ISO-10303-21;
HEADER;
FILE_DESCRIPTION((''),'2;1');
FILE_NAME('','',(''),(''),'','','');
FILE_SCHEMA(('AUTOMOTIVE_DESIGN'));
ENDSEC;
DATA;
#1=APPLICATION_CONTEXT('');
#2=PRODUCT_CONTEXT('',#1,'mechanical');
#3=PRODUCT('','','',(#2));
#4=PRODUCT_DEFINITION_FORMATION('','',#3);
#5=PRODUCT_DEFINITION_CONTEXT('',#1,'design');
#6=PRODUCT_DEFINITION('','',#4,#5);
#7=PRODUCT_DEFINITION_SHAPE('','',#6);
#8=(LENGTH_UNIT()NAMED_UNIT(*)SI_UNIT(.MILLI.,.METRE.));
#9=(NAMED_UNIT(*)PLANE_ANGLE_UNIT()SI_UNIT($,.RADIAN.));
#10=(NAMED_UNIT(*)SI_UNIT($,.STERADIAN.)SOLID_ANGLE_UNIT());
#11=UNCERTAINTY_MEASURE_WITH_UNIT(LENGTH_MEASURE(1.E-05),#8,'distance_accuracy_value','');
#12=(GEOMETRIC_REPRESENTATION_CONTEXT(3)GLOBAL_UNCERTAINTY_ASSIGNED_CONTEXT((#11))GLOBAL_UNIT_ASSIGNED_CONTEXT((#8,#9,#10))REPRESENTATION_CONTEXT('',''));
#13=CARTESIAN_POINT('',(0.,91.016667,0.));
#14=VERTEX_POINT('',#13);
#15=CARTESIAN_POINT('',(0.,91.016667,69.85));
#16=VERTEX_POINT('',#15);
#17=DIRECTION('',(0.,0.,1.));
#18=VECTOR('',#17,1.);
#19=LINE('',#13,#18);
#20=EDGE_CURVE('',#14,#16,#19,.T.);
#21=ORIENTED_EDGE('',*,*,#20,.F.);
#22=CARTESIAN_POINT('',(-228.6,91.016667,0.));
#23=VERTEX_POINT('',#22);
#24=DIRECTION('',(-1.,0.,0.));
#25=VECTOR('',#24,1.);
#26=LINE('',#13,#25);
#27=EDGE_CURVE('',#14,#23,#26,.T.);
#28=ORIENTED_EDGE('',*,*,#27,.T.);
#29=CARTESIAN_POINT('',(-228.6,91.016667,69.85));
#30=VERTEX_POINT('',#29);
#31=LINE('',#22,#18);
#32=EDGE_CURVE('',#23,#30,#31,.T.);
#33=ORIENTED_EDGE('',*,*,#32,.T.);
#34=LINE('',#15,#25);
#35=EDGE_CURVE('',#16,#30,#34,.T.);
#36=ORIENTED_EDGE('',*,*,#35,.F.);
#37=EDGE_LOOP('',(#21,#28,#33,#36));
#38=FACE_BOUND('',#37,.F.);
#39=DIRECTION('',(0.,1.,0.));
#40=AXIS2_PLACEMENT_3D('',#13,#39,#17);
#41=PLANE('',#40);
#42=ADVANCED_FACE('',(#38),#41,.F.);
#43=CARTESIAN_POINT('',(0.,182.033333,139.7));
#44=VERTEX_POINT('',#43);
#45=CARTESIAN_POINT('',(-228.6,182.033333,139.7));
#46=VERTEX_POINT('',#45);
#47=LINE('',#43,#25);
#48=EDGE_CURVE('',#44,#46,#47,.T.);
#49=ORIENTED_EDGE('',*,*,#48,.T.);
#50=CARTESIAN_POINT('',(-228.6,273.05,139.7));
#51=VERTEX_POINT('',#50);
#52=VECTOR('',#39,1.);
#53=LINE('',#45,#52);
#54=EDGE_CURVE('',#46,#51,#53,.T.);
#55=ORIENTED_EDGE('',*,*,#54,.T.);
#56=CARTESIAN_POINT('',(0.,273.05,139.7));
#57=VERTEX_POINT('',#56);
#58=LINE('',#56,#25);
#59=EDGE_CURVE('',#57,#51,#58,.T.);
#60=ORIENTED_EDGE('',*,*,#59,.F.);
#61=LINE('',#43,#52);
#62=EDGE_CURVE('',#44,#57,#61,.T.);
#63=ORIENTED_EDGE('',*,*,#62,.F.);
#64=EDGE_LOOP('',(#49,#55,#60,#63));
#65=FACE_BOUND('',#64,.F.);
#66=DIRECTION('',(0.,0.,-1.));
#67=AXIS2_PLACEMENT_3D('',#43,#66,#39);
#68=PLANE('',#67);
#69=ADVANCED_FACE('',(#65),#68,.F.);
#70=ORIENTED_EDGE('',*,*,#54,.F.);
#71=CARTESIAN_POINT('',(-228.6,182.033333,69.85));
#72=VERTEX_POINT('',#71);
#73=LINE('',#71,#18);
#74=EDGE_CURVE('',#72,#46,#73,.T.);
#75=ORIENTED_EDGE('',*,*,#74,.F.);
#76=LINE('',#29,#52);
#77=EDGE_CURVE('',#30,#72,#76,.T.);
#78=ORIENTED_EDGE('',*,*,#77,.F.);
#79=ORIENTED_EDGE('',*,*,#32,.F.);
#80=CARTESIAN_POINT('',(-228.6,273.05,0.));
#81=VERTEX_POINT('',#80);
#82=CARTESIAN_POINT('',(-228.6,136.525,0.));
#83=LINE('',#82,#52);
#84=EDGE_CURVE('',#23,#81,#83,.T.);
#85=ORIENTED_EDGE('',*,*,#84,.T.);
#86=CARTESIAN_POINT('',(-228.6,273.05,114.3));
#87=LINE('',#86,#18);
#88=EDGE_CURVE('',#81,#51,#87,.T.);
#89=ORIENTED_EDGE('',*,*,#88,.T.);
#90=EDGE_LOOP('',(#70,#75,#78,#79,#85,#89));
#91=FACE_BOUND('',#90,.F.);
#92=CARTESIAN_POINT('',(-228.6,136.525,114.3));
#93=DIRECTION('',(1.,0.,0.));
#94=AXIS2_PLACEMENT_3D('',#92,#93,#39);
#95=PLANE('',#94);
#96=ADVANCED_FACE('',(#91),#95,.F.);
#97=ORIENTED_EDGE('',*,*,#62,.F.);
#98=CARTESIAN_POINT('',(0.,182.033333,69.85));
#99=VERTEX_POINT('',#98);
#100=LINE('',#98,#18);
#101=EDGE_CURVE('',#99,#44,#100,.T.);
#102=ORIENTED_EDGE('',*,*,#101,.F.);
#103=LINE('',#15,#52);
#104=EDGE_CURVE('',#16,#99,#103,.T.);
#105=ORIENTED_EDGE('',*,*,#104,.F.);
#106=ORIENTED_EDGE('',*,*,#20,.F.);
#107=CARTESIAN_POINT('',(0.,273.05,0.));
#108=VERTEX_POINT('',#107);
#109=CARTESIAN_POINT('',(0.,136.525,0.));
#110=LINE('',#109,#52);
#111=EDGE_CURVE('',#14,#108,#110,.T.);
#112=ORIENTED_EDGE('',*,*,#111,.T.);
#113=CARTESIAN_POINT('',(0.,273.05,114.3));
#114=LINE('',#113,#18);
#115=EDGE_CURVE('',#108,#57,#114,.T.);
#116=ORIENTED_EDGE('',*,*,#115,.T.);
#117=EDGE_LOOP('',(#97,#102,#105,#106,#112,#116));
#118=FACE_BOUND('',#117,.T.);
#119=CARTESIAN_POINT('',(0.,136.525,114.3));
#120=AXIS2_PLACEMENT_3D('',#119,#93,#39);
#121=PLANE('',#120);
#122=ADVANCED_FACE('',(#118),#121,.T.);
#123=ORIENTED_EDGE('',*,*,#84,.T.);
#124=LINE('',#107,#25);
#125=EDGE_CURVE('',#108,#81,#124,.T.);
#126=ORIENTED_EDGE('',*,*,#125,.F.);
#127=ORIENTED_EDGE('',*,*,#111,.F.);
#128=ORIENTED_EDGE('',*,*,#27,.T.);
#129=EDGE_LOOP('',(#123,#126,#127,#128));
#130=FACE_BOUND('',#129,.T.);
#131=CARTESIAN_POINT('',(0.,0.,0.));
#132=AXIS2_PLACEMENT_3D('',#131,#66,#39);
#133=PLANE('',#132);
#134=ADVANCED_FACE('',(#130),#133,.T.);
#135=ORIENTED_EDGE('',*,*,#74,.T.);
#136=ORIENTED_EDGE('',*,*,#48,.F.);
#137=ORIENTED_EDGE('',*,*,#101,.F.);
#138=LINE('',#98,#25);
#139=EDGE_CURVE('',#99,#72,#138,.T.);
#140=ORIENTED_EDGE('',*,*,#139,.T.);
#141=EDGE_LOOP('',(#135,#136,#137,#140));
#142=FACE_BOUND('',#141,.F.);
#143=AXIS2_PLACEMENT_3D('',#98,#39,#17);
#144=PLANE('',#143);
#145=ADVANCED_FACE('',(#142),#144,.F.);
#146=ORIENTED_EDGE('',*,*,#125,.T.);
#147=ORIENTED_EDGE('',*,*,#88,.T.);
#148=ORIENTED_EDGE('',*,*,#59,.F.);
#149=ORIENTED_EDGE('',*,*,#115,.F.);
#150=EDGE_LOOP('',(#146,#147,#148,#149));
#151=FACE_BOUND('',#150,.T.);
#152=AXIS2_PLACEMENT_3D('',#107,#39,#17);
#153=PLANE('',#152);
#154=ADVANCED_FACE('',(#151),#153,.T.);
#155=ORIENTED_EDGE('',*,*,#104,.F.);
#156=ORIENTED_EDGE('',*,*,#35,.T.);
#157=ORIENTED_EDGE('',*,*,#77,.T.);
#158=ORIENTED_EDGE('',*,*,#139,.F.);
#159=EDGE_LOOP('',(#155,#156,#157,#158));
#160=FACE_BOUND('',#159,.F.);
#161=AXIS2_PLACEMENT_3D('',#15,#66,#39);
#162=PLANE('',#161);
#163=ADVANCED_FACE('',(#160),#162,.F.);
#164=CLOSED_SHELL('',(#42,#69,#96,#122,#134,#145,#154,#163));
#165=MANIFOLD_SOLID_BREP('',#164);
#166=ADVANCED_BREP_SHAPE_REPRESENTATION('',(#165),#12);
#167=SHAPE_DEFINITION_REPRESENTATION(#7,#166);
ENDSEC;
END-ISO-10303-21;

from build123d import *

# Parameters (mm, degrees)
F0_W     = 273.05
F0_H     = 228.6
F1_DEPTH = 228.6
F3_DEPTH = 228.6


with BuildPart() as f1:
    # F0 (on Right) → F1 (new body)
    with BuildSketch(Plane.YZ):
        with Locations((136.525, 114.3)):
            Rectangle(F0_W, F0_H)
    extrude(amount=-F1_DEPTH)

    # F2 (on face) → F3 (cut, through all)
    with BuildSketch(Plane.YZ):
        Polygon((182.033333, 139.7), (273.05, 139.7), (273.05, 228.6), (0, 228.6), (0, 0), (91.016667, 0), (91.016667, 69.85), (182.033333, 69.85), align=None)
    extrude(amount=-F3_DEPTH, mode=Mode.SUBTRACT)


solid = f1.part
